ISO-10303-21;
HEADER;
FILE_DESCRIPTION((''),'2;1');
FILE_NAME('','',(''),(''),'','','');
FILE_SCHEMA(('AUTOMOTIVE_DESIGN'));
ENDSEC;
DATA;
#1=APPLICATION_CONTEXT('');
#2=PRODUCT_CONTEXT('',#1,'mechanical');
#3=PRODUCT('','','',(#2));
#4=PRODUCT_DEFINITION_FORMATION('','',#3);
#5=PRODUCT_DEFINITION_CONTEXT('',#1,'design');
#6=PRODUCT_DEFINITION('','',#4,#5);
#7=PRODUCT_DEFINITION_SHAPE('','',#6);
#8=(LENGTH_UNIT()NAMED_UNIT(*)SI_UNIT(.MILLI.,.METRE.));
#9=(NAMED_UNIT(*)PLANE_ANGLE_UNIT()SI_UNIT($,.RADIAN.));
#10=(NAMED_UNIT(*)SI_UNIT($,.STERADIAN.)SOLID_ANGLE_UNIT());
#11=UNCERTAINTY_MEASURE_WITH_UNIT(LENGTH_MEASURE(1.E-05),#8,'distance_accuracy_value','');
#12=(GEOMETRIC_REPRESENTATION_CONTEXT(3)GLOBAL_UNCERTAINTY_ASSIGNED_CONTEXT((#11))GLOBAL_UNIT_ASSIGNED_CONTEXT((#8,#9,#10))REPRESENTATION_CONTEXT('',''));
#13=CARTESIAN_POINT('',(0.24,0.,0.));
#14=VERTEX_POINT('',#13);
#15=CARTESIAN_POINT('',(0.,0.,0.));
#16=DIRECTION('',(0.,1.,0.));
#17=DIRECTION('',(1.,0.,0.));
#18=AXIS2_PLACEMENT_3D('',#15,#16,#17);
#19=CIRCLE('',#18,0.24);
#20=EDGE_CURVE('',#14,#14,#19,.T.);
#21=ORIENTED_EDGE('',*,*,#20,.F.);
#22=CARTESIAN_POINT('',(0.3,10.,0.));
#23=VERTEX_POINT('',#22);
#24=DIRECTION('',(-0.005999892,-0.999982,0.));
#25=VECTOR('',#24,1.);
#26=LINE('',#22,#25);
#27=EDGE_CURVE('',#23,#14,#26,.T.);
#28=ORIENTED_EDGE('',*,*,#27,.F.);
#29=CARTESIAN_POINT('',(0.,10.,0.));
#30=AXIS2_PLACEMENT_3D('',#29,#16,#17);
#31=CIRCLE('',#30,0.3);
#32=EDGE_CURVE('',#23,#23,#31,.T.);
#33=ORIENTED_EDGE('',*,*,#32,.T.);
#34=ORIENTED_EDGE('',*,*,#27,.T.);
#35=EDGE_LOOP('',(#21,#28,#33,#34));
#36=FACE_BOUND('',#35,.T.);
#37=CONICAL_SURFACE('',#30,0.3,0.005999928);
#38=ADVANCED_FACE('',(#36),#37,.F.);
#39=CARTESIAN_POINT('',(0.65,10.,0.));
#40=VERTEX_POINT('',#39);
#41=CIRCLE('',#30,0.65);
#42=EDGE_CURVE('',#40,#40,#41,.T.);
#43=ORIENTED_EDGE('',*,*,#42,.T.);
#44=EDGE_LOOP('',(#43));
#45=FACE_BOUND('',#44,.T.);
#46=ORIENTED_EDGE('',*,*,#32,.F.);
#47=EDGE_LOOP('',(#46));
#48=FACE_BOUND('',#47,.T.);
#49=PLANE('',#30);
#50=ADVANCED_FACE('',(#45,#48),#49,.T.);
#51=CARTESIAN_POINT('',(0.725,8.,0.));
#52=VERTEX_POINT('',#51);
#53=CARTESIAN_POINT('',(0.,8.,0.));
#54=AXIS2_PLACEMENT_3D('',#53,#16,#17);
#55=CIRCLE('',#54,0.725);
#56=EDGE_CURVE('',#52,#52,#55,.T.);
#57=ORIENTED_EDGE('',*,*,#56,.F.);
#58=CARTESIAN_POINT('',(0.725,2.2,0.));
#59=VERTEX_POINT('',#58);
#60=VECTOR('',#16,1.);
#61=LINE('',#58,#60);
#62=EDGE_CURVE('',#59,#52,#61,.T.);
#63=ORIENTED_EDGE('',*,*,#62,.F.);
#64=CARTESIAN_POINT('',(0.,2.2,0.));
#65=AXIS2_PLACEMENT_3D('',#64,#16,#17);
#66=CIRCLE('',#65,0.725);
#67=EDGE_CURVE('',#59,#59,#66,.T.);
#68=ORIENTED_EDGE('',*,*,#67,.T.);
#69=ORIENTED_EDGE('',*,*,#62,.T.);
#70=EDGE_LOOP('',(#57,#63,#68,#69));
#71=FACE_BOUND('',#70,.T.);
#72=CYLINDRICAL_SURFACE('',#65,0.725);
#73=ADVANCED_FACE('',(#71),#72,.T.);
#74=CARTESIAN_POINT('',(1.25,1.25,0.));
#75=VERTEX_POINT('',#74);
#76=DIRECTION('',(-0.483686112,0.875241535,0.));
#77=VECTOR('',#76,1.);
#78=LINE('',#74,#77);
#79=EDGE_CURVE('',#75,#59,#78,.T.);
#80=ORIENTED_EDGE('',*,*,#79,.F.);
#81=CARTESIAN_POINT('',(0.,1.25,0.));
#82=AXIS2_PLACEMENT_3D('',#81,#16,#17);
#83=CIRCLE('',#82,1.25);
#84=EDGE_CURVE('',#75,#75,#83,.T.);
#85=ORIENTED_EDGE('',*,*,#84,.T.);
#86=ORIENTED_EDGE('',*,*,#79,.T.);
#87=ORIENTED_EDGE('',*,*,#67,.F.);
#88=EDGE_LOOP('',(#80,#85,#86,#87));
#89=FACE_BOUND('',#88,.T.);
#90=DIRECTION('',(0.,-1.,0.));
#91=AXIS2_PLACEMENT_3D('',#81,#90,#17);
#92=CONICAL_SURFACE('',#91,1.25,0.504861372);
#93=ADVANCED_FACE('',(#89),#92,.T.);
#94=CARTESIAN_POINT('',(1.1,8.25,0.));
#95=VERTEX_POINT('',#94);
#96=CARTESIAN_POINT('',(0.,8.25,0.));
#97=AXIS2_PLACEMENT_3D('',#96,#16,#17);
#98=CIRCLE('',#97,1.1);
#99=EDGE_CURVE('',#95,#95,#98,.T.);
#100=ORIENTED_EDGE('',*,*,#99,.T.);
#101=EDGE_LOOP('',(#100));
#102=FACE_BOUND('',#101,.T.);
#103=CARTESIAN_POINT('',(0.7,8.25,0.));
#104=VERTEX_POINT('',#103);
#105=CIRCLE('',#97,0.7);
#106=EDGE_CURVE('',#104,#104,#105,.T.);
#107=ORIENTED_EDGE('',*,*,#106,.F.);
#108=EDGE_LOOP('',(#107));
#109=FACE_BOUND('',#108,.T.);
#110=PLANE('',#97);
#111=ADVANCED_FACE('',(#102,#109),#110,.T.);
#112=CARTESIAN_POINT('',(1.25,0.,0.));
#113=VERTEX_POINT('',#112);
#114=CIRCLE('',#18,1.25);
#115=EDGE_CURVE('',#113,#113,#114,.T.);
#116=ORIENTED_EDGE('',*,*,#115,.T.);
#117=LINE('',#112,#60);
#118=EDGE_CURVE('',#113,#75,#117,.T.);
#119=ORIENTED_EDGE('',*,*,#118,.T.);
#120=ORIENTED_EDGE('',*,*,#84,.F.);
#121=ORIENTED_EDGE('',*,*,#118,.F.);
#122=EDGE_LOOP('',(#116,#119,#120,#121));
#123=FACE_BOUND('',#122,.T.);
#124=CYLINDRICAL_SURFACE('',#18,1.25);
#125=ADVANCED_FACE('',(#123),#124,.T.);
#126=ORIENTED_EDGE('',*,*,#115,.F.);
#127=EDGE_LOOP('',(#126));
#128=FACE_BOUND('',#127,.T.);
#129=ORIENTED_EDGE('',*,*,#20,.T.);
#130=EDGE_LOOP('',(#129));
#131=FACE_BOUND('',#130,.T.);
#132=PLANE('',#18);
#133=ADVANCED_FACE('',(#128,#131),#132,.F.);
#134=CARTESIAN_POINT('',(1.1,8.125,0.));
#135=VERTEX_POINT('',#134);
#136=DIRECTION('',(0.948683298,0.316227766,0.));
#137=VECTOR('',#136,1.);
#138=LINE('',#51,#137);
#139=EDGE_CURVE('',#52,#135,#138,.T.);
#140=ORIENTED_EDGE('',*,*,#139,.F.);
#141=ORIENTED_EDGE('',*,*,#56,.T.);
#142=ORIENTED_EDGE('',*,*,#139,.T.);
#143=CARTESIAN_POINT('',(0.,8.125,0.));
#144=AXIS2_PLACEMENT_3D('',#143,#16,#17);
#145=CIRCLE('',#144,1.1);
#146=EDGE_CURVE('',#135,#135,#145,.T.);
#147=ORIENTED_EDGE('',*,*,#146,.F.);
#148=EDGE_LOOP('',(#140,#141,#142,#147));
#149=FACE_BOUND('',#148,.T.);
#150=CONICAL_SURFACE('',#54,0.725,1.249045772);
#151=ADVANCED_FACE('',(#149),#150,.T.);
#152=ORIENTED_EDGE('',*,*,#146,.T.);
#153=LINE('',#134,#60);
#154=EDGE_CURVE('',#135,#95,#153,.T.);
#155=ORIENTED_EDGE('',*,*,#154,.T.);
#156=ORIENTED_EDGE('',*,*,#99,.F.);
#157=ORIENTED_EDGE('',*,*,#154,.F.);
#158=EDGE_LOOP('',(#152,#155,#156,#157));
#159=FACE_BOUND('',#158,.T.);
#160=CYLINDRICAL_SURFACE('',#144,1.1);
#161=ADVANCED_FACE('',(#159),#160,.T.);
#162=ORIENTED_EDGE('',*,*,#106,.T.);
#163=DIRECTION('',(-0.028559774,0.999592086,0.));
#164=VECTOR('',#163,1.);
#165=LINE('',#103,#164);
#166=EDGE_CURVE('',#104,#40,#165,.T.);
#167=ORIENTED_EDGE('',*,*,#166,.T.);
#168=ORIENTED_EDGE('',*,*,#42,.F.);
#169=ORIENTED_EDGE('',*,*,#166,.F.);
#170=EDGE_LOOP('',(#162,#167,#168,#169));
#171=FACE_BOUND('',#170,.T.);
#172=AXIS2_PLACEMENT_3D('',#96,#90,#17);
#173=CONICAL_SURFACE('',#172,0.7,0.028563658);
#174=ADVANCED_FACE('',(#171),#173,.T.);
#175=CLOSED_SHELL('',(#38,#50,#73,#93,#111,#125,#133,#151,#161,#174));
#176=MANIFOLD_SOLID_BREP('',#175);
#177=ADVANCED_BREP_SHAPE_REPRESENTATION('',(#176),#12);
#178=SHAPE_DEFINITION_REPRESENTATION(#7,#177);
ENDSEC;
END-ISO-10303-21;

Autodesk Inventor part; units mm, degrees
ref_plane "YZ Plane" through (0, 0, 0) normal (1, 0, 0) x (0, 1, 0)
ref_plane "XZ Plane" through (0, 0, 0) normal (0, 1, 0) x (-1, 0, 0)
ref_plane "XY Plane" through (0, 0, 0) normal (0, 0, 1) x (1, 0, 0)
sketch "Sketch1" plane through (0, 0, 0) normal (0, 0, 1) x (1, 0, 0)
  line L0 (0, 0) -> (0, 10)
  line L1 (0.24, 0) -> (1.25, 0)
  line L2 (1.25, 0) -> (1.25, 1.25)
  line L3 (1.25, 1.25) -> (0.725, 2.2)
  line L4 (0.725, 2.2) -> (0.725, 8)
  line L5 (0.725, 8) -> (1.1, 8.125)
  line L6 (1.1, 8.125) -> (1.1, 8.25)
  line L7 (1.1, 8.25) -> (0.7, 8.25)
  line L8 (0.7, 8.25) -> (0.65, 10)
  line L9 (0.65, 10) -> (0.3, 10)
  line L10 (0.3, 10) -> (0.24, 0)
  dimension "d1" = 0.25
  dimension "d2" = 0.125
  dimension "d5" = 0.48
  dimension "d6" = 0.6
  dimension "d7" = 2.5
  dimension "d8" = 10
  dimension "d9" = 8
  dimension "d10" = 2.2
  dimension "d11" = 1.25
  dimension "d13" = 2.2
  dimension "d14" = 1.45
  dimension "d15" = 1.3
  dimension "d16" = 1.4
revolve "Revolution1" add sketch "Sketch1" angle 360 about axis through (0, 0, 0) along (0, 1, 0)
properties part number "PP-05" material "Steel, Mild"
